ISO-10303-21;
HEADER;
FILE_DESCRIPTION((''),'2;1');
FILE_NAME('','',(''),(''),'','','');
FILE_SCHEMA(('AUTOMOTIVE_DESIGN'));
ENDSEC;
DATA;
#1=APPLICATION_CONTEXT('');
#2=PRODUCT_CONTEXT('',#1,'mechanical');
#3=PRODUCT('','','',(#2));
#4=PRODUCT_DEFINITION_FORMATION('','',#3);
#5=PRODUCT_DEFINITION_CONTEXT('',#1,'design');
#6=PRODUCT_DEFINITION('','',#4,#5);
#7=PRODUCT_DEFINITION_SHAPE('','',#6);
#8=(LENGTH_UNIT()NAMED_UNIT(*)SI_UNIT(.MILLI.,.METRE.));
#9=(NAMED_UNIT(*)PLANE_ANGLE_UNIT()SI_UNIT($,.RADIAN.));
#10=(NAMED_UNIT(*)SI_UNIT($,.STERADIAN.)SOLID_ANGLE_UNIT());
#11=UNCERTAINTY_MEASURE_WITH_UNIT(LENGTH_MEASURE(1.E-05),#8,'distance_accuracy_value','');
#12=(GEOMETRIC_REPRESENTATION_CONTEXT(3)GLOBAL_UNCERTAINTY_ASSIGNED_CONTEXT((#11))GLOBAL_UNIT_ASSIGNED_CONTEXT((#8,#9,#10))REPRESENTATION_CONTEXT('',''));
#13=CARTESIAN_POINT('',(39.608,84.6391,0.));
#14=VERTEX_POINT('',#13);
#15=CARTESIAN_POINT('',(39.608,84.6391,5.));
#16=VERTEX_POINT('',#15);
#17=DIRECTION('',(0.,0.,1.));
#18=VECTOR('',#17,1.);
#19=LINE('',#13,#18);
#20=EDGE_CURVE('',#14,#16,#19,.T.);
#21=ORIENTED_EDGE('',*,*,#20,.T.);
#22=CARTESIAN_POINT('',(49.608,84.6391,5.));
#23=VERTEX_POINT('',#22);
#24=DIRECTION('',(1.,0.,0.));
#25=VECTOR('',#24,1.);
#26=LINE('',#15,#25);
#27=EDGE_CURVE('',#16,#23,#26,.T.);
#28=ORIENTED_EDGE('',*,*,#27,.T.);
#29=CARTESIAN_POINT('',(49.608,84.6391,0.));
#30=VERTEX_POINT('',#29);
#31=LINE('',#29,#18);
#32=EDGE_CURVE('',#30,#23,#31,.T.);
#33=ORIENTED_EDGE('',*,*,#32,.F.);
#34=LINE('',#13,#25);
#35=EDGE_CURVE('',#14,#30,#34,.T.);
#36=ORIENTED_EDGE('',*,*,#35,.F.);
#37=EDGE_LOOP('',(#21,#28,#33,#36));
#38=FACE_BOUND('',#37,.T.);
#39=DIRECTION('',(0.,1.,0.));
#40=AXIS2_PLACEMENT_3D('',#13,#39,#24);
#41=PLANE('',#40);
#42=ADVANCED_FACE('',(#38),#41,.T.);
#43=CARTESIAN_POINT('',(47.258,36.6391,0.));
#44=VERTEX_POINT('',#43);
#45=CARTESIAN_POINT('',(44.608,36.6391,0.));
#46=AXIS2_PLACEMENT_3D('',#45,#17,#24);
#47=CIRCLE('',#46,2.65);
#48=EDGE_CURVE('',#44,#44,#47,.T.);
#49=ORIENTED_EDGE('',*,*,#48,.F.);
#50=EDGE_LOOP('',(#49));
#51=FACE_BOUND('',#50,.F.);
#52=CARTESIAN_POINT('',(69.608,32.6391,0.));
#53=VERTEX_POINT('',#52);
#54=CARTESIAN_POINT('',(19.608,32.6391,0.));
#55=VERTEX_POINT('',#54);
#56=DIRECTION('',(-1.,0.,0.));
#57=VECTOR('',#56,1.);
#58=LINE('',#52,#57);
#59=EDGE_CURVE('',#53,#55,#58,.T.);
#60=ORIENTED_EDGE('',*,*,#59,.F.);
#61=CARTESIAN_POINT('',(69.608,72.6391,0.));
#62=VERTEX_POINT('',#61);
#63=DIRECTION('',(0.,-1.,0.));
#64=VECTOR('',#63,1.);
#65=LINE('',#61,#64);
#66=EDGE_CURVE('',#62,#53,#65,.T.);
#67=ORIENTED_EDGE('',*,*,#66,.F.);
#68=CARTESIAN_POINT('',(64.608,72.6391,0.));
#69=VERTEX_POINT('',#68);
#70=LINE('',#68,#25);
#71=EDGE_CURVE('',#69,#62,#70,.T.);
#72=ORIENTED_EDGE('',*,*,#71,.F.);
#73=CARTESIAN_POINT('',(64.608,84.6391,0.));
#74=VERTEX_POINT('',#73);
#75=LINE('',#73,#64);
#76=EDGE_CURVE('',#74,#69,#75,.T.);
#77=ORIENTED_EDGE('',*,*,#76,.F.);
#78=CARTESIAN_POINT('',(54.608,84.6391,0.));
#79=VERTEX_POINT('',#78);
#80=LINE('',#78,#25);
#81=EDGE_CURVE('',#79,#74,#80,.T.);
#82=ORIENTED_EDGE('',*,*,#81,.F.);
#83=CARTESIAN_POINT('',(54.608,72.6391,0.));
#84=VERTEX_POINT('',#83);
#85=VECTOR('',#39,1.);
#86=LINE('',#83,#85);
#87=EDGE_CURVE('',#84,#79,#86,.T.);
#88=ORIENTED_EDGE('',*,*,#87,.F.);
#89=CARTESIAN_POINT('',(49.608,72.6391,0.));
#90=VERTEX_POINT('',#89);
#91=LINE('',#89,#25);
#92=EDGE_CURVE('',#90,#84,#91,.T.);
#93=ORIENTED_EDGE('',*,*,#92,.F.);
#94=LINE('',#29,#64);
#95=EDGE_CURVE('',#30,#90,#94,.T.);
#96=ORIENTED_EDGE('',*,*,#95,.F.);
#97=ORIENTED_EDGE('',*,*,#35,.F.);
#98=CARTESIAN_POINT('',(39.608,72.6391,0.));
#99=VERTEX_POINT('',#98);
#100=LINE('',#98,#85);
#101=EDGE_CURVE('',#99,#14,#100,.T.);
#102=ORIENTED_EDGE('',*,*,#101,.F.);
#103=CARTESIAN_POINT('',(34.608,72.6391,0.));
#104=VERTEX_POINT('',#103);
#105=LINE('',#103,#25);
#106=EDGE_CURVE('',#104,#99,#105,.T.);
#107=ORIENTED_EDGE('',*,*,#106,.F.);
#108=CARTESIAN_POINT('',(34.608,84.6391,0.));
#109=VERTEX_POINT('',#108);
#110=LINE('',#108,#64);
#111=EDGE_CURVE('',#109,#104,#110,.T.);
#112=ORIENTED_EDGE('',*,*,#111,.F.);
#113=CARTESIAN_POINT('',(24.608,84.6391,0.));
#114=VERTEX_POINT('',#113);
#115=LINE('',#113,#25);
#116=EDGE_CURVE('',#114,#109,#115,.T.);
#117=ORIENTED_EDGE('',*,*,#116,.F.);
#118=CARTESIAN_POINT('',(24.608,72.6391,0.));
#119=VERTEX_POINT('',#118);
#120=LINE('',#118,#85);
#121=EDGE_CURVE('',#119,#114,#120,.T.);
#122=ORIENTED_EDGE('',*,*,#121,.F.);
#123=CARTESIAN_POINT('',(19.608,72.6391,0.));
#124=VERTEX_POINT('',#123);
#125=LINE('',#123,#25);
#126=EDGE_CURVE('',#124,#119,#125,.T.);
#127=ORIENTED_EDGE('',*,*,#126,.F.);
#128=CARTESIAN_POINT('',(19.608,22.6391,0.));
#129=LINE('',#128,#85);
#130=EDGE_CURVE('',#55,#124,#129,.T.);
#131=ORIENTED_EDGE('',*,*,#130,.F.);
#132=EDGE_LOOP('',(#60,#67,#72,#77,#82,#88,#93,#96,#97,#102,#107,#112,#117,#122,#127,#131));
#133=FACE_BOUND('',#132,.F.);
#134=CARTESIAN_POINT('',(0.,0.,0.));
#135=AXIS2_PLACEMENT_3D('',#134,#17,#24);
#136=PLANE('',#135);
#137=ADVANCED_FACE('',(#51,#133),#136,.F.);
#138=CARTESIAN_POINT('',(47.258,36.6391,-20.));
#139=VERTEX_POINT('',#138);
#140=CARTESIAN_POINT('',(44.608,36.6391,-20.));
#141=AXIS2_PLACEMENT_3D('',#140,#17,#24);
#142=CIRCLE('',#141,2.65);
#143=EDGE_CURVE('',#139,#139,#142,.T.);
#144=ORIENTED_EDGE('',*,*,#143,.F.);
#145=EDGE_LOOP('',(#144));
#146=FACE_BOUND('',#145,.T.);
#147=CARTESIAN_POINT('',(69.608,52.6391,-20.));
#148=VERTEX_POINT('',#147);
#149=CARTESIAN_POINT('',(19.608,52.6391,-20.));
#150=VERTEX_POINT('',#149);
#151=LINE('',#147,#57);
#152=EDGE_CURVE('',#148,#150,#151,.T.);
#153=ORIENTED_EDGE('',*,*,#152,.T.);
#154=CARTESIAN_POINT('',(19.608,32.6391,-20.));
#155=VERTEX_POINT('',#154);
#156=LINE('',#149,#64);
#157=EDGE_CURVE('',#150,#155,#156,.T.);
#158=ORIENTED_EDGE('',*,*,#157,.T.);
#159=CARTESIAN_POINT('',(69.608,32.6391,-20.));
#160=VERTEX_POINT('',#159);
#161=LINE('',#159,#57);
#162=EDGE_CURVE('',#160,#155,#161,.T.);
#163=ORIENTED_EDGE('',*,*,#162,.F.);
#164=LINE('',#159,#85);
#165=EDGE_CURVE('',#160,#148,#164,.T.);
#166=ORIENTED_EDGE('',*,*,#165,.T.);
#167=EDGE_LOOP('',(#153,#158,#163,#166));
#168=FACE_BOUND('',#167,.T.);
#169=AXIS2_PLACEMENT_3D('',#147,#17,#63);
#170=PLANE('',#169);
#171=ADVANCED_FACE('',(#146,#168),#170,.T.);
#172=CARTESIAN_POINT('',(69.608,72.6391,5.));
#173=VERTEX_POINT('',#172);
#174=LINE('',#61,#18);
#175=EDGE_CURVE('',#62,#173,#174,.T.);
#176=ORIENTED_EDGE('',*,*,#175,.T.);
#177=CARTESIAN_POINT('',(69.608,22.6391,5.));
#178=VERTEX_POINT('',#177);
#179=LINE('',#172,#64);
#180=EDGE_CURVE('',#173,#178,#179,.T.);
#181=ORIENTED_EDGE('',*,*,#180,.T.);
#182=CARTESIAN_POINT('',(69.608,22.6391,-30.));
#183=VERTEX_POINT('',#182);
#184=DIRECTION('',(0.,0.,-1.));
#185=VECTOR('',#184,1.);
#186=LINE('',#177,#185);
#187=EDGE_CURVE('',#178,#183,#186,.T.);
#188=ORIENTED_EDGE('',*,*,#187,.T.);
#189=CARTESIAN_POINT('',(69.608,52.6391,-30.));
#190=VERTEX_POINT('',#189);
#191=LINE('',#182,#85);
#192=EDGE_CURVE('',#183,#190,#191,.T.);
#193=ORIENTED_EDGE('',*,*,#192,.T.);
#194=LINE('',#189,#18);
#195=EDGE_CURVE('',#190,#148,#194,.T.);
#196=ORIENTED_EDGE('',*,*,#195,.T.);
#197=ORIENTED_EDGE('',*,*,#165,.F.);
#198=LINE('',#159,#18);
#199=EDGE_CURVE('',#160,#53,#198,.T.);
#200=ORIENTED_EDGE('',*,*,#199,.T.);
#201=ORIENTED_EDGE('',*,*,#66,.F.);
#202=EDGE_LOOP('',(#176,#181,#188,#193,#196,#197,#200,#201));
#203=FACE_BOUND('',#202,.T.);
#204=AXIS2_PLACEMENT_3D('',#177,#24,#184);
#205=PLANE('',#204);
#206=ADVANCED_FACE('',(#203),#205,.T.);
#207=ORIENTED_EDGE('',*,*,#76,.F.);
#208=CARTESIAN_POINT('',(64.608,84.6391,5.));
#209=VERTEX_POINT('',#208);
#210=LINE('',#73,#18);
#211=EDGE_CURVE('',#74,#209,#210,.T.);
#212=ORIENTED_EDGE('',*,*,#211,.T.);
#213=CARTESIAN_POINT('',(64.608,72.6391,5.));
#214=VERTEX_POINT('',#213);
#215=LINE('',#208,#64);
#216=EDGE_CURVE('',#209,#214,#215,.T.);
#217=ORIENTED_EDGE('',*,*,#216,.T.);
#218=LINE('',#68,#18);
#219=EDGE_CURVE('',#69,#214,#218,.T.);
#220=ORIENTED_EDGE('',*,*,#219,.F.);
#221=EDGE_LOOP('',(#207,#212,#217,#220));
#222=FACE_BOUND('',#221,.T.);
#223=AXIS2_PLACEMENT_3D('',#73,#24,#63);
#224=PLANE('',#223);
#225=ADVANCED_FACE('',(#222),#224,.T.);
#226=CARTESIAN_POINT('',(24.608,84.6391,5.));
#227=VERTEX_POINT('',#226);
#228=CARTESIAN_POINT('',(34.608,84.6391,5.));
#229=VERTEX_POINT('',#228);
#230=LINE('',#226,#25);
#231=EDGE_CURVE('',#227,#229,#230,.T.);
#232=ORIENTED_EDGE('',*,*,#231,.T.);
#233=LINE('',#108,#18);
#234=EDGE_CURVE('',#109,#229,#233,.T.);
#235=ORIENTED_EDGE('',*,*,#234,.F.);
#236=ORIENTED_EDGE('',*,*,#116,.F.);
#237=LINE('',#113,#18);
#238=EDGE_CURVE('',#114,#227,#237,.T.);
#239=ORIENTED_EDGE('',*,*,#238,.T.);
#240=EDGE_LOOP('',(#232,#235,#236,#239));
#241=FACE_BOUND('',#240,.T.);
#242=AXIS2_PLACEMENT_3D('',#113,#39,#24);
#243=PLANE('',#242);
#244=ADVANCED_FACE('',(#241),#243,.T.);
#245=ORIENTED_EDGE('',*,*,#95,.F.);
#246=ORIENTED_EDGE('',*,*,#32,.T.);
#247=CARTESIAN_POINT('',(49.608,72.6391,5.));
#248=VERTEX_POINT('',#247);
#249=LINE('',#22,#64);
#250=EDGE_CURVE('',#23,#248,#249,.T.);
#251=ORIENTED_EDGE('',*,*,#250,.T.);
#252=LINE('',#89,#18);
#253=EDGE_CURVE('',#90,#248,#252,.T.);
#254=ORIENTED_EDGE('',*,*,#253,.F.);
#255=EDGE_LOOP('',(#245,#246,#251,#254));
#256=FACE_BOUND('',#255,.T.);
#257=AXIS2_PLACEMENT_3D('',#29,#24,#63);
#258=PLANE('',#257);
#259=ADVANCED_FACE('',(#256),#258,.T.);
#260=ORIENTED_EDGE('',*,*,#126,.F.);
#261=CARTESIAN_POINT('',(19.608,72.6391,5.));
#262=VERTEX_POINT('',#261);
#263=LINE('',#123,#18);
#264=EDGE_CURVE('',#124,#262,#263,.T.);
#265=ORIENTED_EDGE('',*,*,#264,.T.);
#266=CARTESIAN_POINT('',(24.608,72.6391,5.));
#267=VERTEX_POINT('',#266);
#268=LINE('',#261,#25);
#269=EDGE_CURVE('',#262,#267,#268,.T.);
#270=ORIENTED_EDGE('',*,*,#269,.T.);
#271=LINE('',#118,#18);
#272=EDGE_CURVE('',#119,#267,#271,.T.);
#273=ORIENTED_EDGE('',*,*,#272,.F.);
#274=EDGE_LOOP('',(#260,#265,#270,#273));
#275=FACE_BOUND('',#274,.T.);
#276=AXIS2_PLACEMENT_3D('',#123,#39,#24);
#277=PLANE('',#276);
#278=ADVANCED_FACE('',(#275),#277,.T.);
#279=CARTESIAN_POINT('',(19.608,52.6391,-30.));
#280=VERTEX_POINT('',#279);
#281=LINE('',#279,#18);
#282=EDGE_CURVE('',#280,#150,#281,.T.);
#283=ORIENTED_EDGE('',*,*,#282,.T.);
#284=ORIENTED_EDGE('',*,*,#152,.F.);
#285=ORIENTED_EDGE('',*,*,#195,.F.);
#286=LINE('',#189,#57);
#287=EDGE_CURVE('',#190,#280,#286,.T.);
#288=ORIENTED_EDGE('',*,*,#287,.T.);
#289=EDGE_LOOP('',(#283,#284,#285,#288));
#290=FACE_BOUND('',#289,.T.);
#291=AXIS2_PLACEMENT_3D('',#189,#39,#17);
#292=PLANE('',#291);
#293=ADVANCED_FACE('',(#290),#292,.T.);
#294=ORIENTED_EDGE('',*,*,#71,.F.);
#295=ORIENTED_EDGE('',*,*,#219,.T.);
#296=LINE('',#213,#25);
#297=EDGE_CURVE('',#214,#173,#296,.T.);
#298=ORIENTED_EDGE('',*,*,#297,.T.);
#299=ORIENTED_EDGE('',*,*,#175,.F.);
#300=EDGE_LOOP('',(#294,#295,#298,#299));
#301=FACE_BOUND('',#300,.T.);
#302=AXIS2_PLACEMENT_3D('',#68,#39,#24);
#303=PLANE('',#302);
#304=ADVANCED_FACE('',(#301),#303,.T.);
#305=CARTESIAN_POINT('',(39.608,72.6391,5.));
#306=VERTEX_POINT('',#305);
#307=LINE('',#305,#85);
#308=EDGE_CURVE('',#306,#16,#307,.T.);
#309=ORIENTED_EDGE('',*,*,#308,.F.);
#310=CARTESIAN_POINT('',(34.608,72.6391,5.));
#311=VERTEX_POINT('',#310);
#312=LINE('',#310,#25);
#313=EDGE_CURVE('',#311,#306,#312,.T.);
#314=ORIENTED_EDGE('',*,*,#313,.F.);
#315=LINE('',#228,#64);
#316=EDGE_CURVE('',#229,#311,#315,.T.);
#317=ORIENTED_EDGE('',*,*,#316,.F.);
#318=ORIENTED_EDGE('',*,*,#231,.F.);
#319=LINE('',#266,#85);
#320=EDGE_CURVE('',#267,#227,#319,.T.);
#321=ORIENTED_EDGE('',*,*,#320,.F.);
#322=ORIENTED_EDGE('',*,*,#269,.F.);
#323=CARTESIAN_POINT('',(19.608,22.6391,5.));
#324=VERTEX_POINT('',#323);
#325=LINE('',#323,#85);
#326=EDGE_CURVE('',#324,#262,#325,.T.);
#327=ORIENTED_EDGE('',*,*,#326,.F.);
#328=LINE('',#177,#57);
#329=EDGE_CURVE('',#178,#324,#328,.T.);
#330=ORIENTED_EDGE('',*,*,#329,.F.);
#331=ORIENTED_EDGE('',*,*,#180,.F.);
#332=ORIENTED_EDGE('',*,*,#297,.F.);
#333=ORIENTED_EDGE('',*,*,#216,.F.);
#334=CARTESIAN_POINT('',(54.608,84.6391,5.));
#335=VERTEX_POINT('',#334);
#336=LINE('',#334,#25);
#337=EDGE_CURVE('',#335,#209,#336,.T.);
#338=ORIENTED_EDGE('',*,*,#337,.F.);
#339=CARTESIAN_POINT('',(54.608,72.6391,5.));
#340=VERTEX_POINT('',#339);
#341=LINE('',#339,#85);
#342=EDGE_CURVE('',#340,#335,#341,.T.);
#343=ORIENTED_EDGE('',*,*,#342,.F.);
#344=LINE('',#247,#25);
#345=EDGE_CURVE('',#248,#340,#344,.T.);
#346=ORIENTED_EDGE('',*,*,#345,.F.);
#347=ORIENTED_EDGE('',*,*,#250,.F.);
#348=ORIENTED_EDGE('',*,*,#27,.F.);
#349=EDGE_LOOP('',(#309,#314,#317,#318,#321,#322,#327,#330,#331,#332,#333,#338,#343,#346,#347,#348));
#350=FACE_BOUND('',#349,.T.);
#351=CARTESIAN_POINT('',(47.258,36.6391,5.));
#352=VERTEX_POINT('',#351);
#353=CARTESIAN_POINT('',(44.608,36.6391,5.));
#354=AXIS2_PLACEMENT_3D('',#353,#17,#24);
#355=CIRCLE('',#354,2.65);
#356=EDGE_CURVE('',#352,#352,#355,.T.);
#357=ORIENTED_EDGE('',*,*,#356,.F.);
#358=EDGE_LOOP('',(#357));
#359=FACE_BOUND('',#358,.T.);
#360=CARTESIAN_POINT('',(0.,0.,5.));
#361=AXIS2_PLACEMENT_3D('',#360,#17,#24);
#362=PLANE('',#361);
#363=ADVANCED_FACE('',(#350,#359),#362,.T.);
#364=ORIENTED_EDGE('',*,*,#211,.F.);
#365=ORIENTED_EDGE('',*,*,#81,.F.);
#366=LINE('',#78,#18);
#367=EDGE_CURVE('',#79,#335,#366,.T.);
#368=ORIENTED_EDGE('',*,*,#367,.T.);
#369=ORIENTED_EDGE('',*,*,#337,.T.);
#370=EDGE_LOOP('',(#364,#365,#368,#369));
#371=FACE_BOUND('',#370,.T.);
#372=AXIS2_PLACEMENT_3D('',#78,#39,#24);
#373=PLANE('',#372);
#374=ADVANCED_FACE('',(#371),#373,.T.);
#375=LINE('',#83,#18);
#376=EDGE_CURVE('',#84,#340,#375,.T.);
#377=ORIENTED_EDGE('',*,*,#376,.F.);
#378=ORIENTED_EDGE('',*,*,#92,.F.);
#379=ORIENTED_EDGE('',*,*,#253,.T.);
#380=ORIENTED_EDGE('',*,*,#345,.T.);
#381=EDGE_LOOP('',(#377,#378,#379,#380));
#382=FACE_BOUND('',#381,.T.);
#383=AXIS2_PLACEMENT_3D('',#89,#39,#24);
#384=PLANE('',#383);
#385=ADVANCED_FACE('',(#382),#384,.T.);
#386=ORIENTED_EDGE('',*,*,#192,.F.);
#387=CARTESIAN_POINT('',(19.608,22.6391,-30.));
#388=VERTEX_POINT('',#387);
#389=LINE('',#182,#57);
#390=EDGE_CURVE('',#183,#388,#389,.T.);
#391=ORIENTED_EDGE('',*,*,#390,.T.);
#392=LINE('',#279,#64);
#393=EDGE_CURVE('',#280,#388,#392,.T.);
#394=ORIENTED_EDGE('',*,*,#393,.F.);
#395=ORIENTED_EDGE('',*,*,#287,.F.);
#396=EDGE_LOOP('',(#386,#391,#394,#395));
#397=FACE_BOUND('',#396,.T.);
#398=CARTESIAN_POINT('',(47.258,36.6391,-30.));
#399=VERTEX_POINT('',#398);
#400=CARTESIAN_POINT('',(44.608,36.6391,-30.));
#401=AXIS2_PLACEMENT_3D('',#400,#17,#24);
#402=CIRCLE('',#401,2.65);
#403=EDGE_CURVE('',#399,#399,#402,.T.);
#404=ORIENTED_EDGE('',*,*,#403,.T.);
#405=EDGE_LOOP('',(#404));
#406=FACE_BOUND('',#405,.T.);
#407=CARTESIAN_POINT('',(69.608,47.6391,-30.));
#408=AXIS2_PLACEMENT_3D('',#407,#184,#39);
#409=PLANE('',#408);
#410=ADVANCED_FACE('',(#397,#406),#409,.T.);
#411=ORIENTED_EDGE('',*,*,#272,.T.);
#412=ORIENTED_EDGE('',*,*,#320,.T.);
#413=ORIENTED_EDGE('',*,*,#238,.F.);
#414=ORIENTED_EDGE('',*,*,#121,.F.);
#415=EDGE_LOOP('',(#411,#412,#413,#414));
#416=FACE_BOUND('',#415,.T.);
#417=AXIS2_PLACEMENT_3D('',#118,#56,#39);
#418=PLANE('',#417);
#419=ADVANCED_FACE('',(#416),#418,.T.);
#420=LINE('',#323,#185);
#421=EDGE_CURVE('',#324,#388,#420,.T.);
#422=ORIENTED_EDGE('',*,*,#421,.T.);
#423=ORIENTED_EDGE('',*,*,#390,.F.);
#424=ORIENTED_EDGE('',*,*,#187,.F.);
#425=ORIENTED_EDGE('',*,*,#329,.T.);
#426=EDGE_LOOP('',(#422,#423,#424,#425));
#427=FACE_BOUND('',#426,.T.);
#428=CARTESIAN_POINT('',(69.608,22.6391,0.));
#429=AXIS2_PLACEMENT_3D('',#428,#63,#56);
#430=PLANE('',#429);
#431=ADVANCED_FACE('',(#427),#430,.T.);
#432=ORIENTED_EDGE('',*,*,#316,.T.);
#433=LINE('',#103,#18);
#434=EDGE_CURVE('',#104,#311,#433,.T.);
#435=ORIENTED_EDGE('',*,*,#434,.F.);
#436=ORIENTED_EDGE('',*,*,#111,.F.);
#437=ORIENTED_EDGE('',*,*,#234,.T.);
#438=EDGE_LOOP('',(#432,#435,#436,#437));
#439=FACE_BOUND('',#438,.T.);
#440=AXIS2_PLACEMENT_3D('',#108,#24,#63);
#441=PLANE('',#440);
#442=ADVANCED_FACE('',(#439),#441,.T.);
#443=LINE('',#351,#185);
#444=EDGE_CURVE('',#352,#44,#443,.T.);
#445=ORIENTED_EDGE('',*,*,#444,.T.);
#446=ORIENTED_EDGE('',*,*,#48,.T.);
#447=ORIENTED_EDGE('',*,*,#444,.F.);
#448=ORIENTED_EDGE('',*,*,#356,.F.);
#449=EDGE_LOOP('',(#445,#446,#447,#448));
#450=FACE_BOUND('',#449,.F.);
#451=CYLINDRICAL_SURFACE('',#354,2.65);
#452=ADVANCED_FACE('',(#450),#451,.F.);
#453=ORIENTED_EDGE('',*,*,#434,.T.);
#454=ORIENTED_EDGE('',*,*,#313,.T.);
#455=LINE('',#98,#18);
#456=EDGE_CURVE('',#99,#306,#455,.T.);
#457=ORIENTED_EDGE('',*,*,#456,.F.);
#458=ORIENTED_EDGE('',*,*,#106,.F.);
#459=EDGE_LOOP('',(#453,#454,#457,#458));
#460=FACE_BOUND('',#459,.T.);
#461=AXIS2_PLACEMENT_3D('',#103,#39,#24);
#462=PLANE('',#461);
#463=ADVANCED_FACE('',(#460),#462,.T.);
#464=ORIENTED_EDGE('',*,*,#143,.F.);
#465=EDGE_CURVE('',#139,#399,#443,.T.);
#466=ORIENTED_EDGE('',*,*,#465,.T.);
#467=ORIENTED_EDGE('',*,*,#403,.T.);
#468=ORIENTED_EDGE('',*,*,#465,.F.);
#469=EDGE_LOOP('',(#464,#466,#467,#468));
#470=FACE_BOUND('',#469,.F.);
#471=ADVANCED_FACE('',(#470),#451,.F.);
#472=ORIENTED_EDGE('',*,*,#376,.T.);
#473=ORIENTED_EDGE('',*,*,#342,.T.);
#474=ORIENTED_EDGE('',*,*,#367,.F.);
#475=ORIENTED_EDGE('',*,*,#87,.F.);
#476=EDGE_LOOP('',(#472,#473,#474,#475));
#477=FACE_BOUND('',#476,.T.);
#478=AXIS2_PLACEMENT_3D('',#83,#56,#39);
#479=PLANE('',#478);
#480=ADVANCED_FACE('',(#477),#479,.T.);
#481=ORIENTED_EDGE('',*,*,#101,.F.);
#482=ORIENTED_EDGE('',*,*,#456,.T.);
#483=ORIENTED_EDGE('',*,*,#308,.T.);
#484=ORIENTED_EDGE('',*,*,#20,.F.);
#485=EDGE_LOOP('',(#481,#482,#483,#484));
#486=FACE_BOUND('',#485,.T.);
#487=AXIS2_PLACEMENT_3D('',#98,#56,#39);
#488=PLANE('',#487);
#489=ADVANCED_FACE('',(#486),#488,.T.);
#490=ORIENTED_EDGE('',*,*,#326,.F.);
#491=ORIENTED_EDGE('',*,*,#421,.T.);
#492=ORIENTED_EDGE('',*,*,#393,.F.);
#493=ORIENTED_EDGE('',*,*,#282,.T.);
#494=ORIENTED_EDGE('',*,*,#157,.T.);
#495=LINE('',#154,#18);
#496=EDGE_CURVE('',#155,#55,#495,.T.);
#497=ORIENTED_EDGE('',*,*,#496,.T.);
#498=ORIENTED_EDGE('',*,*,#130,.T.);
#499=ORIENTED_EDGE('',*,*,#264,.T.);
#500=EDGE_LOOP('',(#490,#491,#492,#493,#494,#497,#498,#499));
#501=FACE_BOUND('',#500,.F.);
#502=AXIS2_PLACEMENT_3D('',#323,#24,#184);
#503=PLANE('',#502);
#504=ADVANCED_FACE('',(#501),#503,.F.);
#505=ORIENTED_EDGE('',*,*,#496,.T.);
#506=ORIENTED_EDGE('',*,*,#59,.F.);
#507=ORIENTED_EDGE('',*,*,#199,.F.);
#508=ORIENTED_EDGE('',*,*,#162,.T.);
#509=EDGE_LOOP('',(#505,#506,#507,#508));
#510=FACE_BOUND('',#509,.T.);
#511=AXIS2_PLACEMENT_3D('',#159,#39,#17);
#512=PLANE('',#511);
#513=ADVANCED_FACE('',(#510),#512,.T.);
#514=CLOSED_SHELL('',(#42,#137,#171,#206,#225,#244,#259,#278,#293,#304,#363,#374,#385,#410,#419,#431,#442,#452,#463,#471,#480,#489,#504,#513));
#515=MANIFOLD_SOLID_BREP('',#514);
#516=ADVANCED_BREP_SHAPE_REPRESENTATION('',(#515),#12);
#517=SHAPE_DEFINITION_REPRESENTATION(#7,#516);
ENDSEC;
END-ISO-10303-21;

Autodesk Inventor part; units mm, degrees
ref_plane "YZ Plane" through (0, 0, 0) normal (1, 0, 0) x (0, 1, 0)
ref_plane "XZ Plane" through (0, 0, 0) normal (0, 1, 0) x (-1, 0, 0)
ref_plane "XY Plane" through (0, 0, 0) normal (0, 0, 1) x (1, 0, 0)
sketch "Sketch1" plane through (0, 0, 0) normal (0, 0, 1) x (1, 0, 0)
  line L0 (69.608, 72.6391) -> (69.608, 22.6391)
  line L1 (69.608, 22.6391) -> (19.608, 22.6391)
  line L2 (19.608, 22.6391) -> (19.608, 72.6391)
  line L3 (19.608, 72.6391) -> (24.608, 72.6391)
  line L4 (24.608, 72.6391) -> (24.608, 84.6391)
  line L5 (24.608, 84.6391) -> (34.608, 84.6391)
  line L6 (34.608, 84.6391) -> (34.608, 72.6391)
  line L7 (34.608, 72.6391) -> (39.608, 72.6391)
  line L8 (39.608, 72.6391) -> (39.608, 84.6391)
  line L9 (39.608, 84.6391) -> (49.608, 84.6391)
  line L10 (49.608, 84.6391) -> (49.608, 72.6391)
  line L11 (49.608, 72.6391) -> (54.608, 72.6391)
  line L12 (54.608, 72.6391) -> (54.608, 84.6391)
  line L13 (54.608, 84.6391) -> (64.608, 84.6391)
  line L14 (64.608, 84.6391) -> (64.608, 72.6391)
  line L15 (64.608, 72.6391) -> (69.608, 72.6391)
  point P0 (0, 0)
  dimension "d0" = 50
  dimension "d1" = 50
  dimension "d2" = 5
  dimension "d3" = 12
  dimension "d4" = 10
  dimension "d5" = 12
  dimension "d6" = 5
  dimension "d7" = 12
  dimension "d8" = 10
  dimension "d9" = 12
  dimension "d10" = 5
  dimension "d11" = 12
  dimension "d12" = 10
  dimension "d13" = 12
  dimension "d14" = 5
extrude "Extrusion1" add sketch "Sketch1" along normal blind 5
sketch "Sketch2" plane through (69.608, 22.6391, 0) normal (1, 0, 0) x (0, 0, -1)
  line L0 (0, 50) -> (0, 0) projected
  line L1 (0, 0) -> (30, 0)
  line L2 (30, 0) -> (30, 25)
  line L3 (30, 25) -> (20, 25)
  line L4 (20, 25) -> (20, 10)
  line L5 (20, 10) -> (0, 10)
  point P0 (0, -22.6391)
  dimension "d17" = 30
  dimension "d18" = 25
  dimension "d19" = 10
  dimension "d20" = 15
  dimension "d21" = 20
sketch "Sketch3" plane through (0, 0, 5) normal (0, 0, 1) x (1, 0, 0)
  point P0 (0, 0)
extrude "Extrusion2" add sketch "Sketch2" against normal blind 50
sketch "Sketch4" plane through (69.608, 22.6391, 5) normal (1, 0, 0) x (0, 0, -1)
  line L0 (35, 25) -> (25, 25) projected
  line L1 (35, 25) -> (35, 30)
  line L2 (35, 25) -> (35, 0) projected
  line L3 (35, 30) -> (25, 30)
  line L4 (25, 30) -> (25, 25)
  line L5 (25, 25) -> (35, 25)
  point P0 (5, -22.6391)
  dimension "d24" = 5
  dimension "d25" = 10
  dimension "d26" = 5
  dimension "d27" = 10
extrude "Extrusion3" add sketch "Sketch4" against normal blind 50
sketch "Sketch5" plane through (69.608, 22.6391, 5) normal (1, 0, 0) x (0, 0, -1)
  point P0 (5, -22.6391)
sketch "Sketch6" plane through (0, 0, 5) normal (0, 0, 1) x (1, 0, 0)
  line L0 (69.608, 22.6391) -> (19.608, 22.6391) projected
  circle A0 centre (44.608, 36.6391) radius 2.65
  point P0 (0, 0)
  dimension "d31" = 5.3
extrude "Extrusion4" cut sketch "Sketch6" against normal blind 50
sketch "Sketch7" plane through (69.608, 22.6391, 5) normal (1, 0, 0) x (0, 0, -1)
  point P0 (5, -22.6391)
sketch "Sketch8" plane through (0, 0, 5) normal (0, 0, 1) x (1, 0, 0)
  point P0 (0, 0)
sketch "Sketch9" plane through (69.608, 22.6391, 5) normal (1, 0, 0) x (0, 0, -1)
  point P0 (5, -22.6391)
sketch "Sketch10" plane through (69.608, 22.6391, 5) normal (1, 0, 0) x (0, 0, -1)
  point P0 (5, -22.6391)
properties part number "Casis Kiri Roda"
